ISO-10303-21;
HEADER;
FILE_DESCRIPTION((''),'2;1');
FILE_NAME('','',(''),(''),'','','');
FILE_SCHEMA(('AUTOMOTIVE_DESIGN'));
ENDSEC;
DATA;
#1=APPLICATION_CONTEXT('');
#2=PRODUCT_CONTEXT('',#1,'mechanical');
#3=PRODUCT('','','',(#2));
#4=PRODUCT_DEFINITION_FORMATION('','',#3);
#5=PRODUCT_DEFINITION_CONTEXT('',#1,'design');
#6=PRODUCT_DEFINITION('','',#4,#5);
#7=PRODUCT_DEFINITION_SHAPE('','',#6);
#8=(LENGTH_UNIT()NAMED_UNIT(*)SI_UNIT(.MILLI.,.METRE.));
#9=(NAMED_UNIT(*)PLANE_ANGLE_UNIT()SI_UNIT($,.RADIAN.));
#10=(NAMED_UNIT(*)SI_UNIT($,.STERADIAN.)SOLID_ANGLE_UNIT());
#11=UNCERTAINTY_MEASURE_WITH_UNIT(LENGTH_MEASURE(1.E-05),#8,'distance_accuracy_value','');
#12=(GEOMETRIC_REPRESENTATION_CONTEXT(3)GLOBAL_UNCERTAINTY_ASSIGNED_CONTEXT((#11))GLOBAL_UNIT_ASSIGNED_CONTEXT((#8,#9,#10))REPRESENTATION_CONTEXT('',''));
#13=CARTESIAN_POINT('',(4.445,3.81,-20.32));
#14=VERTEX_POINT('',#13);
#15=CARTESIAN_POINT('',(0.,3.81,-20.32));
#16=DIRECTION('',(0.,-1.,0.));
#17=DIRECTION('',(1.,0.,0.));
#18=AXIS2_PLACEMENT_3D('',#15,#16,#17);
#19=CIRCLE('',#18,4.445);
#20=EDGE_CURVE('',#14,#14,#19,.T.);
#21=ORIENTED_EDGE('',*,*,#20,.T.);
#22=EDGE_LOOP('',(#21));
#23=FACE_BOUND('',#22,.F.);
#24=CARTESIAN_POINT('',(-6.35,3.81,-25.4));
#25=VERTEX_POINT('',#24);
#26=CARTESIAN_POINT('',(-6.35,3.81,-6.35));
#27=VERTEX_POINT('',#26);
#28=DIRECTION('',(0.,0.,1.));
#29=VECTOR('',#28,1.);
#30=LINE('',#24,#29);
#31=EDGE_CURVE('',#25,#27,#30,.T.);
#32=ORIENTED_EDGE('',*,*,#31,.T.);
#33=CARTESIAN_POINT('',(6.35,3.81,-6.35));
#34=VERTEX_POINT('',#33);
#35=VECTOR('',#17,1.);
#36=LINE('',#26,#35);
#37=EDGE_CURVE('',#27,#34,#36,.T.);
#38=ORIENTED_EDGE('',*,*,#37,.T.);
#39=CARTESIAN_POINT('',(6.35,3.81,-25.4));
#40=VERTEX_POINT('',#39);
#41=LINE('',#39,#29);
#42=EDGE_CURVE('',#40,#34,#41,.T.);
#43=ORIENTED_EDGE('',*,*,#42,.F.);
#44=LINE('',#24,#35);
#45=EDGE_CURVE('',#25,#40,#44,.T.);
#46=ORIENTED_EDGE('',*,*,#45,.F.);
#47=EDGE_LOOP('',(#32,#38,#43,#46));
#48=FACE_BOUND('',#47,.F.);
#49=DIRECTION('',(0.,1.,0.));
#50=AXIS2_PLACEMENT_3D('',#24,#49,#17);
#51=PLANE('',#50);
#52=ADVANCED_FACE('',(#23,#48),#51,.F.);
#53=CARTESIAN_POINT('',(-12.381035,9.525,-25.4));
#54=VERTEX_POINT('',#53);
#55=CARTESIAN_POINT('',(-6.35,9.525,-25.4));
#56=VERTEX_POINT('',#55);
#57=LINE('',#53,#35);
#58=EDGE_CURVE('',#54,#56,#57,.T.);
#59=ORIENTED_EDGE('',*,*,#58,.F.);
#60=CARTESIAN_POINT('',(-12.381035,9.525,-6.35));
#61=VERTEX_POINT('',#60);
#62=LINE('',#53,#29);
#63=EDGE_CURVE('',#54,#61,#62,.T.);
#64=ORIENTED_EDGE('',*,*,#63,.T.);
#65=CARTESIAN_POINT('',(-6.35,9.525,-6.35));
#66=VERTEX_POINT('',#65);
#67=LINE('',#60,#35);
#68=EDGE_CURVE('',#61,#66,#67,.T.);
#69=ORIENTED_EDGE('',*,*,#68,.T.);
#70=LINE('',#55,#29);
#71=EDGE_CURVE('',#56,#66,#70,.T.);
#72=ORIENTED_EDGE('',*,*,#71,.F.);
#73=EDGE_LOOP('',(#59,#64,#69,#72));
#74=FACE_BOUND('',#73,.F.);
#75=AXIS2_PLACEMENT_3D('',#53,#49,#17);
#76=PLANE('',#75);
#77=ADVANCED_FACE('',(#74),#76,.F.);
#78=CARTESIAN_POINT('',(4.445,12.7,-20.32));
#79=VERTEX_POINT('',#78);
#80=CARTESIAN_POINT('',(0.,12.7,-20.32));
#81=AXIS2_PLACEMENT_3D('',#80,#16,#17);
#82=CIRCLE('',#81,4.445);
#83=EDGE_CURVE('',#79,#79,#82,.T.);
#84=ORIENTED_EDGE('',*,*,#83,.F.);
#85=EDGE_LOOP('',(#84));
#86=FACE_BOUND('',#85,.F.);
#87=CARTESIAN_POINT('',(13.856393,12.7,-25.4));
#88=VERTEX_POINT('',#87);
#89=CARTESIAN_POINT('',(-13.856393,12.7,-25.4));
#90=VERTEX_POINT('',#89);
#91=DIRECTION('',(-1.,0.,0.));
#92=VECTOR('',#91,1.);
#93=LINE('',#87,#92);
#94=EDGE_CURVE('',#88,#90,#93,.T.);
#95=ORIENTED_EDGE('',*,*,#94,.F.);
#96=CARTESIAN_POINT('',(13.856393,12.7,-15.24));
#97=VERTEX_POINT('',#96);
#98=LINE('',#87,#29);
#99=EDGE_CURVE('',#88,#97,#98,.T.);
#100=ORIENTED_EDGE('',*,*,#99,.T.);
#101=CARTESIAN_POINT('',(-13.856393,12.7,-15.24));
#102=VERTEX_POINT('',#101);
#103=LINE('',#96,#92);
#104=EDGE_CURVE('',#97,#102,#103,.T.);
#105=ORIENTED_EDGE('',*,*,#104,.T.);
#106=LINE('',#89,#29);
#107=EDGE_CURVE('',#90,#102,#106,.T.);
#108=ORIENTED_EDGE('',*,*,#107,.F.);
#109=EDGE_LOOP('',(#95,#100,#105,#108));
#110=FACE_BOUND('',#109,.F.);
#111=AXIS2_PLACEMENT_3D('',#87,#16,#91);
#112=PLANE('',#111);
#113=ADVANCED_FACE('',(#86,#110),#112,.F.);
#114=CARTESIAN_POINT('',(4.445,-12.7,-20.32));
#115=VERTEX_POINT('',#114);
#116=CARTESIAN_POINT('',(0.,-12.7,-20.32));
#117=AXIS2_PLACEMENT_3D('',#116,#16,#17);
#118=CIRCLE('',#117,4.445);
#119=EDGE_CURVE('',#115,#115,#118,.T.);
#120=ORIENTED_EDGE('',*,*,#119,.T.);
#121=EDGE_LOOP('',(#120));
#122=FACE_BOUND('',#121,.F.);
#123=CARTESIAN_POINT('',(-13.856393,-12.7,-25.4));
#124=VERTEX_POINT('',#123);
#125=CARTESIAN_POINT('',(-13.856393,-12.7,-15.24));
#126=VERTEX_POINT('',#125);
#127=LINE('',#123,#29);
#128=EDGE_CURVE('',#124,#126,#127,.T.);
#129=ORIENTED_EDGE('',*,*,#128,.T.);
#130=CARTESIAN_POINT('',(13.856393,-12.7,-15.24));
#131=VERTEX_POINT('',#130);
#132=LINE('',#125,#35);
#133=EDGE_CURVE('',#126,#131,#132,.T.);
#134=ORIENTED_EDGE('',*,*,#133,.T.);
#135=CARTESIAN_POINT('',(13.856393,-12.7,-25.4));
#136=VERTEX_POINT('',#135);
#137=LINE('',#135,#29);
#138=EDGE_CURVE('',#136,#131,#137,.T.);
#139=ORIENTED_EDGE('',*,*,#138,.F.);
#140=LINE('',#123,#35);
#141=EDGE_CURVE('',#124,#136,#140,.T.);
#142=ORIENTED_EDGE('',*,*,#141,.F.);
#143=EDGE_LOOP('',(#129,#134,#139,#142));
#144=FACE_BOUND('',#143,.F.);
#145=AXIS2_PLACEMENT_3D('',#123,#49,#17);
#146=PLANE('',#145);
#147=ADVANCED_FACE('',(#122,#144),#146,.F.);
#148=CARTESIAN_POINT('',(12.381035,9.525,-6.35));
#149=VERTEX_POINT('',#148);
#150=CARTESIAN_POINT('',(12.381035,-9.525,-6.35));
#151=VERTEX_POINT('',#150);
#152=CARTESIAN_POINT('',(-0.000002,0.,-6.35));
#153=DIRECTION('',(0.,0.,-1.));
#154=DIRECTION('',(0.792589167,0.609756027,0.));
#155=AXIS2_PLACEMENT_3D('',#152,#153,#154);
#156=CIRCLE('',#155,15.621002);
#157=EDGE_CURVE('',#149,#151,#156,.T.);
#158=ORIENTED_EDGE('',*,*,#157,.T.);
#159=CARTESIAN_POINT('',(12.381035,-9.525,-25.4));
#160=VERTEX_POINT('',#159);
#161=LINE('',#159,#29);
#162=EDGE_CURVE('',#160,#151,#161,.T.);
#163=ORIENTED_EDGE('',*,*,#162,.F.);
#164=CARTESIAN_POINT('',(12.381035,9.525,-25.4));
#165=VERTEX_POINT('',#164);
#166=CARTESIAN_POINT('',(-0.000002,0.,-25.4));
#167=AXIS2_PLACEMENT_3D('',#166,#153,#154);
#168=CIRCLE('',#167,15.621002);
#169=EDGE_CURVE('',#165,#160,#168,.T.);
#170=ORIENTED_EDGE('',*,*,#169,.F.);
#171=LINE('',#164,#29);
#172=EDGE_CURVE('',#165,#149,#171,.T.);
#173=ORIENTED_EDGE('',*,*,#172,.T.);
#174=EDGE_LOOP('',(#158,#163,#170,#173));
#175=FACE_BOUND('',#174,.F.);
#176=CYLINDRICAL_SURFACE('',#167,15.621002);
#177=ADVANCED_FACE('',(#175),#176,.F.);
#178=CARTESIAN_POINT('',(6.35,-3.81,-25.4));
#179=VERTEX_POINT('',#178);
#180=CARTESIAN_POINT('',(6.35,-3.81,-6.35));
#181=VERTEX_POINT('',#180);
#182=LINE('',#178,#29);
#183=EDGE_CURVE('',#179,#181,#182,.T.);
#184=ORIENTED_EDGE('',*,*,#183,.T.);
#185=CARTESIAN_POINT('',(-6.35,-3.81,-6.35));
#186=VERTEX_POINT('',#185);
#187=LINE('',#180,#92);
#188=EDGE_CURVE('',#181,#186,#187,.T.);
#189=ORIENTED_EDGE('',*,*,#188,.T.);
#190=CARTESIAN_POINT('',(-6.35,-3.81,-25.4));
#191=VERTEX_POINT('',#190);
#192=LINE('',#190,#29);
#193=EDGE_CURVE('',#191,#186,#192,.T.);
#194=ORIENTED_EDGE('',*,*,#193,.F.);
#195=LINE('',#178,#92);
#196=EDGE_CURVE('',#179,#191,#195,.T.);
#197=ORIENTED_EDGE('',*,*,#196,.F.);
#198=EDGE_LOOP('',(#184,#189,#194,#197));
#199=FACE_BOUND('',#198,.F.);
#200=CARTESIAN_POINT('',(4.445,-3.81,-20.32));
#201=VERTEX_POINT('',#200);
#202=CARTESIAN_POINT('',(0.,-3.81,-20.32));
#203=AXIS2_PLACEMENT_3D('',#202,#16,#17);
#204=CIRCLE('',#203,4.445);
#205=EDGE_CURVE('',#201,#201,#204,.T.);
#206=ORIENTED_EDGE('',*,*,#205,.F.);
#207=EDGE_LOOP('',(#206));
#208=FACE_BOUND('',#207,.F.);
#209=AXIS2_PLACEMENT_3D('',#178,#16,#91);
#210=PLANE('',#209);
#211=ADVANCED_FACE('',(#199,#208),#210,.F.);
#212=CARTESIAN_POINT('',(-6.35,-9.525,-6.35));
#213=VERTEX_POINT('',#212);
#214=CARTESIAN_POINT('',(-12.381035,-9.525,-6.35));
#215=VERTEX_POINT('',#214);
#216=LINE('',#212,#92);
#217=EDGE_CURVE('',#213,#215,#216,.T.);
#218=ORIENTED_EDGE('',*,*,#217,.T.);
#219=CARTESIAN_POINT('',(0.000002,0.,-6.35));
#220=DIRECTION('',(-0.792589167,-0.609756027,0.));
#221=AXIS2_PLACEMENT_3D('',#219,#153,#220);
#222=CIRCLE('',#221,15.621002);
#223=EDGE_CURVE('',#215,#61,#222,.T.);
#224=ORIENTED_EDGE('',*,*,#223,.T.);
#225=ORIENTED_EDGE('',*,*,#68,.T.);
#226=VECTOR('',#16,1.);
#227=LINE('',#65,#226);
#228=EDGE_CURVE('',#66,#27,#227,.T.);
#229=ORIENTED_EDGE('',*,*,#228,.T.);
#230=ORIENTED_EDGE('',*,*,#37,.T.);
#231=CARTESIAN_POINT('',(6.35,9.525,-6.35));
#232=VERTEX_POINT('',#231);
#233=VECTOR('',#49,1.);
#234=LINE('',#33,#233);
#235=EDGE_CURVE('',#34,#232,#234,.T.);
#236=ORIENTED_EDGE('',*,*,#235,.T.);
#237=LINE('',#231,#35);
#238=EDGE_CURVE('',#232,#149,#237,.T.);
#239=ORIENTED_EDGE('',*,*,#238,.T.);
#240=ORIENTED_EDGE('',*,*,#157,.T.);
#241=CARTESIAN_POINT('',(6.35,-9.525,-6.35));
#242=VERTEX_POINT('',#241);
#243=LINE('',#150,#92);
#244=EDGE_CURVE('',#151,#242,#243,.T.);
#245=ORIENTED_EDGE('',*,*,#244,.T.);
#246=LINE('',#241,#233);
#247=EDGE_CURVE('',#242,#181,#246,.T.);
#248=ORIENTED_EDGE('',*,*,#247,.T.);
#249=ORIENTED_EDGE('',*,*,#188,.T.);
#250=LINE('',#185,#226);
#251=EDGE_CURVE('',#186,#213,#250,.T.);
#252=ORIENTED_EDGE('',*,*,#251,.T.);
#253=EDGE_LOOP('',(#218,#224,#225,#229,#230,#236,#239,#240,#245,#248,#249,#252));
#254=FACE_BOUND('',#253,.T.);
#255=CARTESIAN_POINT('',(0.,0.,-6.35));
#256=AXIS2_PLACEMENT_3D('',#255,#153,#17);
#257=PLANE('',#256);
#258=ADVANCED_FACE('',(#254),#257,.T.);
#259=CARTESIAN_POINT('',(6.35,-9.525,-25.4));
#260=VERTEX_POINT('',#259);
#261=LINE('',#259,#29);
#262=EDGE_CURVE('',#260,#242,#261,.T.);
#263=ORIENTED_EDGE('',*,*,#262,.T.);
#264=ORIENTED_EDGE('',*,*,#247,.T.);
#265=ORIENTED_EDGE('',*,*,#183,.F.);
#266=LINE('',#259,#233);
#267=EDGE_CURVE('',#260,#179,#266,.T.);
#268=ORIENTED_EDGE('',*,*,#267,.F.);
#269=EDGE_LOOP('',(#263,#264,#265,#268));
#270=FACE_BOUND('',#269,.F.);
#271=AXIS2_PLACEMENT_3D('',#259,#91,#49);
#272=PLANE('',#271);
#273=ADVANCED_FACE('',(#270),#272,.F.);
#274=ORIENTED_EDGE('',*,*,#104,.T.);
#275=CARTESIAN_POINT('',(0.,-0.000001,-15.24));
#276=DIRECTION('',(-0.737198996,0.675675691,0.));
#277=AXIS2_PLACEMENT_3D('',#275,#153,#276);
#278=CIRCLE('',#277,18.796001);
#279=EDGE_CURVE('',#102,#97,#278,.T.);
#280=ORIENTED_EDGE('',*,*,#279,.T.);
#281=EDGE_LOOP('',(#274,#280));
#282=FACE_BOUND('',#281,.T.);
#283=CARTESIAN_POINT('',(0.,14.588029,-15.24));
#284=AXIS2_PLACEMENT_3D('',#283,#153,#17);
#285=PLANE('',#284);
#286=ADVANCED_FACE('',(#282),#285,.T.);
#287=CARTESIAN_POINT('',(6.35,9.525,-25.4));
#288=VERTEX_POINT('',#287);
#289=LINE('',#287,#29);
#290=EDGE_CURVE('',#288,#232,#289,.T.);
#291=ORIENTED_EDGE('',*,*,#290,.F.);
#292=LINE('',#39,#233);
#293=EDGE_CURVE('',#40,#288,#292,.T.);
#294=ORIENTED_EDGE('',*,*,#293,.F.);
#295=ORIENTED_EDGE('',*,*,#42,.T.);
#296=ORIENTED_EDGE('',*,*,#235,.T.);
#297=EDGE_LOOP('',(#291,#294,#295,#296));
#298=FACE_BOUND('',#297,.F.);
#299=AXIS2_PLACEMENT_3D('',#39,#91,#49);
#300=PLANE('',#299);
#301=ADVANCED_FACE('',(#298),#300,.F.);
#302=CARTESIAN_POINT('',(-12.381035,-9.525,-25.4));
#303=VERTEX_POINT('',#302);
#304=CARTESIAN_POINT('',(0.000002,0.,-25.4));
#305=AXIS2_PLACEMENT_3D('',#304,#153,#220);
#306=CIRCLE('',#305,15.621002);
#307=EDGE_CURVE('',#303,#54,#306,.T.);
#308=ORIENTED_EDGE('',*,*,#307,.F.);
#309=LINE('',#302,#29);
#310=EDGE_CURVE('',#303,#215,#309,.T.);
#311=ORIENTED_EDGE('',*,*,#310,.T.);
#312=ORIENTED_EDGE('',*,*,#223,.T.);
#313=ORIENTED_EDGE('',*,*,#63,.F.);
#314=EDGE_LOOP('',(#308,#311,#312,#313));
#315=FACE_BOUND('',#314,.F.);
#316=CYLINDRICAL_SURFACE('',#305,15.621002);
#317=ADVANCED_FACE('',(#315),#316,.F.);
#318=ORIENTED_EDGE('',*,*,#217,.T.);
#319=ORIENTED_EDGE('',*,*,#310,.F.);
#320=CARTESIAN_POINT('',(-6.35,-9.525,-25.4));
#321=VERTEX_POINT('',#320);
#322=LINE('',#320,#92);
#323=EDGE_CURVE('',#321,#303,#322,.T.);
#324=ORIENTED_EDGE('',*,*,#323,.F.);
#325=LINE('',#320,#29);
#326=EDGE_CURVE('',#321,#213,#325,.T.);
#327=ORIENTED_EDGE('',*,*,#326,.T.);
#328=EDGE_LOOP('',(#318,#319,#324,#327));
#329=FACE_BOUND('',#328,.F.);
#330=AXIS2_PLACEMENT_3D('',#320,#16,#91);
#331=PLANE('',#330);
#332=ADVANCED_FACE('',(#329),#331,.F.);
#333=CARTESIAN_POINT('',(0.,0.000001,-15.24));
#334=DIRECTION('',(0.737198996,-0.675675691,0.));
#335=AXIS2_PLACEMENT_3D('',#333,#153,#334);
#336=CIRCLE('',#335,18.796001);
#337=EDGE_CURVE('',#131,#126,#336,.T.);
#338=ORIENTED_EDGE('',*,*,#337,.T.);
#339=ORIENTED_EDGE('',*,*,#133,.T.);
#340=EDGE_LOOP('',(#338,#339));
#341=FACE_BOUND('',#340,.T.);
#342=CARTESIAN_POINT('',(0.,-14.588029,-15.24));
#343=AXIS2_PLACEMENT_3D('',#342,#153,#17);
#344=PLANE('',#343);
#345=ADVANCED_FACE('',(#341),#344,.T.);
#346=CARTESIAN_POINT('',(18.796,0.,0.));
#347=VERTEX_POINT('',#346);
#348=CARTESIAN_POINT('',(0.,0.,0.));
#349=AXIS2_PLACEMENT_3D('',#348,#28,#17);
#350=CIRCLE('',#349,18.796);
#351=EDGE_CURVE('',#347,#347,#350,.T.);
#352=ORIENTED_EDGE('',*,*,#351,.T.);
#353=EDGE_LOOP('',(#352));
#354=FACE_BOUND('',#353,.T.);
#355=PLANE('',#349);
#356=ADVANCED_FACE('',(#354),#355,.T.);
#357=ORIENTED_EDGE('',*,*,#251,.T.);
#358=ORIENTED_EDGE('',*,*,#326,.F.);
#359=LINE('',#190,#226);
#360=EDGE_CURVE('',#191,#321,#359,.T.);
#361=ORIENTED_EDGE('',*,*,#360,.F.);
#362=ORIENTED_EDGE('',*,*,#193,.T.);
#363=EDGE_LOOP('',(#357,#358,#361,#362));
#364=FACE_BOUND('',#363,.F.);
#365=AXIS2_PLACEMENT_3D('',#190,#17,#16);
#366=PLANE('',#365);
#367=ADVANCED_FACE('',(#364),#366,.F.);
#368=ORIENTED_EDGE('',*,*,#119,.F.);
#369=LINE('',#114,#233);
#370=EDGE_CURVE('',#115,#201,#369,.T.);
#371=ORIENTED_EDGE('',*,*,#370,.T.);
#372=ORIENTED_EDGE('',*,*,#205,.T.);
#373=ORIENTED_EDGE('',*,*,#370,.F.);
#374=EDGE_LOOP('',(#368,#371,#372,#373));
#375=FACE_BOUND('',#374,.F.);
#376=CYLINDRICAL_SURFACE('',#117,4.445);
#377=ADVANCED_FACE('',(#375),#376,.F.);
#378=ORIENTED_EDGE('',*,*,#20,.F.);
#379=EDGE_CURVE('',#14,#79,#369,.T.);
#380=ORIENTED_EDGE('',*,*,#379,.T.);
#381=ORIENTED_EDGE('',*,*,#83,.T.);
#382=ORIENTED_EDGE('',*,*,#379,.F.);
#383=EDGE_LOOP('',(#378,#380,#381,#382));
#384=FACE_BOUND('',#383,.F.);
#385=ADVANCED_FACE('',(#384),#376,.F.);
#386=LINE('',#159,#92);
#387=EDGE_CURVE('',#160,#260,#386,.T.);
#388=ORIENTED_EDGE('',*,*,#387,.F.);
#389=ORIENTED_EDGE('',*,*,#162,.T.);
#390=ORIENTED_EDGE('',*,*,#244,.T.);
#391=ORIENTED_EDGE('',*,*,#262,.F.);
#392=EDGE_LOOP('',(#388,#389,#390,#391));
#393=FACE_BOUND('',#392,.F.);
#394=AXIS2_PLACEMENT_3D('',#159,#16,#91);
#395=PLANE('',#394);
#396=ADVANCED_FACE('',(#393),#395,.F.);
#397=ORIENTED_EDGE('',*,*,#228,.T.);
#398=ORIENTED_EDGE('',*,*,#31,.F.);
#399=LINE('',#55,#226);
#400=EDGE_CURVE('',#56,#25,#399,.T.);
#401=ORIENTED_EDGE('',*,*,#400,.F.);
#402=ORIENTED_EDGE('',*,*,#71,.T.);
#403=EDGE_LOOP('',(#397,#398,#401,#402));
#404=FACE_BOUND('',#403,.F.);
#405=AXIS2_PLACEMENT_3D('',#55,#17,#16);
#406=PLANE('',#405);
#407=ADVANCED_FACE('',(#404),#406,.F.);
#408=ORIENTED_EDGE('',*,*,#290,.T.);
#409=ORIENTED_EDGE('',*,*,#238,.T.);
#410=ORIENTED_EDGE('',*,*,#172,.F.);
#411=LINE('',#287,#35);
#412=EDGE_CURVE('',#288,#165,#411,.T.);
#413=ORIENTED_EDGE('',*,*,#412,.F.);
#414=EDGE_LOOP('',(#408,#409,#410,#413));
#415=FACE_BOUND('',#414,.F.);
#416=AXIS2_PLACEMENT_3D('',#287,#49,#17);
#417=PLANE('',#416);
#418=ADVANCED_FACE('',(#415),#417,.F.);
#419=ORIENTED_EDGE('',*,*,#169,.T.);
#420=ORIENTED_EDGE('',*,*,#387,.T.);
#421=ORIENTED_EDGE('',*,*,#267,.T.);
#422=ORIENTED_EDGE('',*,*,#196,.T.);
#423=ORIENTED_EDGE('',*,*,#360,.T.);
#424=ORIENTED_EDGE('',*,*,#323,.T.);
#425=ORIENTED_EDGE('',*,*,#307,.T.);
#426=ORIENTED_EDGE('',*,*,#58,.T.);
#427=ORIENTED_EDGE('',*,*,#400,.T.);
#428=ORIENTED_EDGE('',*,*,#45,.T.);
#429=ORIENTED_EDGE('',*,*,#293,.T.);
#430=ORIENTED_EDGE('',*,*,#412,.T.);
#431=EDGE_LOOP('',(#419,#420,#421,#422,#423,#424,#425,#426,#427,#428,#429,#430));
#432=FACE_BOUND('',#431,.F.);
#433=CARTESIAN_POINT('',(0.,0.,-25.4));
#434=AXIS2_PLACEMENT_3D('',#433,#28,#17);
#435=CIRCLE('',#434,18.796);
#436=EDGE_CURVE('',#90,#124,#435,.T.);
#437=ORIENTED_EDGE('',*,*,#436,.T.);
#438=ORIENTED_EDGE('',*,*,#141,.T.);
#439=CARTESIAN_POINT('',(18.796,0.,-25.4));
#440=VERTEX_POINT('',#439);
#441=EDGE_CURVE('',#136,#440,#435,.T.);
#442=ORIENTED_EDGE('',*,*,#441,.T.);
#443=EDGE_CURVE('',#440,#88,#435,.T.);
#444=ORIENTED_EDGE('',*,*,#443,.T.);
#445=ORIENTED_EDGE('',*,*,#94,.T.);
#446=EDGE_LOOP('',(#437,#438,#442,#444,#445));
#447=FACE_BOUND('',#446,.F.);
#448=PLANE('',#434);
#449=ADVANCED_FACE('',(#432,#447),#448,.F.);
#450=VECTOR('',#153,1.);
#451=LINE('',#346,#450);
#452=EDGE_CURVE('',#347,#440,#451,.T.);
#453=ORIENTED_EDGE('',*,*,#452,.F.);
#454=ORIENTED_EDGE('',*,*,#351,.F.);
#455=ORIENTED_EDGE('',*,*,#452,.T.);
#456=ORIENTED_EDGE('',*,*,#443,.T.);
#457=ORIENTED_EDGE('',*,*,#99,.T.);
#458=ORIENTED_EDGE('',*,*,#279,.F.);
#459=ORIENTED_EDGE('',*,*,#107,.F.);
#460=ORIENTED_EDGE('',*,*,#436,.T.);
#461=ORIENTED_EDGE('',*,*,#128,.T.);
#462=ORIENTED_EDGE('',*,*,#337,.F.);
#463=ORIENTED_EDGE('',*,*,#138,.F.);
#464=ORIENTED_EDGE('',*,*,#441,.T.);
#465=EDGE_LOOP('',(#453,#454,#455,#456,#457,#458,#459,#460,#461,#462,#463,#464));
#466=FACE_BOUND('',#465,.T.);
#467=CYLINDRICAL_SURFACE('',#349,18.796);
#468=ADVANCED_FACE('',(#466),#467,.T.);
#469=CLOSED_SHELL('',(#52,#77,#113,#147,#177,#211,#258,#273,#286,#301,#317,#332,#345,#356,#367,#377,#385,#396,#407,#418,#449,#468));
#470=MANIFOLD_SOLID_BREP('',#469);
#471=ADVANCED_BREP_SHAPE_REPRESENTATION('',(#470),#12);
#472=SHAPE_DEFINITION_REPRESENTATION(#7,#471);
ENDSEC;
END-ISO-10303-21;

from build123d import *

# Parameters (mm, degrees)
F0_R     = 18.796
F1_DEPTH = 25.4
F3_DEPTH = 10.16
F5_DEPTH = 19.05
F6_R     = 4.445
F7_DEPTH = 31.497


with BuildPart() as f1:
    # F0 (on Top) → F1 (new body)
    with BuildSketch(Plane.XY):
        Circle(F0_R)
    extrude(amount=-F1_DEPTH)

    # F2 (on face) → F3 (cut)
    with BuildSketch(Plane(origin=(0, 0, -25.4), x_dir=(1, 0, 0), z_dir=(0, 0, -1))):
        with BuildLine():
            Line((13.856393, -12.7), (-13.856393, -12.7))
            ThreePointArc((-13.856393, -12.7), (0, -18.796), (13.856393, -12.7))
        make_face()
        with BuildLine():
            Line((-13.856393, 12.7), (13.856393, 12.7))
            ThreePointArc((13.856393, 12.7), (0, 18.796), (-13.856393, 12.7))
        make_face()
    extrude(amount=-F3_DEPTH, mode=Mode.SUBTRACT)

    # F4 (on face) → F5 (cut)
    with BuildSketch(Plane(origin=(0, 0, -25.4), x_dir=(1, 0, 0), z_dir=(0, 0, -1))):
        with BuildLine():
            Line((-6.35, 9.525), (-12.381035, 9.525))
            ThreePointArc((-12.381035, 9.525), (-15.621, 0), (-12.381035, -9.525))
            Line((-12.381035, -9.525), (-6.35, -9.525))
            Line((-6.35, -9.525), (-6.35, -3.81))
            Line((-6.35, -3.81), (6.35, -3.81))
            Line((6.35, -3.81), (6.35, -9.525))
            Line((6.35, -9.525), (12.381035, -9.525))
            ThreePointArc((12.381035, -9.525), (15.621, 0), (12.381035, 9.525))
            Line((12.381035, 9.525), (6.35, 9.525))
            Line((6.35, 9.525), (6.35, 3.81))
            Line((6.35, 3.81), (-6.35, 3.81))
            Line((-6.35, 3.81), (-6.35, 9.525))
        make_face()
    extrude(amount=-F5_DEPTH, mode=Mode.SUBTRACT)

    # F6 (on face) → F7 (cut, through all)
    with BuildSketch(Plane.XZ.offset(12.7)):
        with Locations((0, -20.32)):
            Circle(F6_R)
    extrude(amount=-F7_DEPTH, mode=Mode.SUBTRACT)


solid = f1.part
